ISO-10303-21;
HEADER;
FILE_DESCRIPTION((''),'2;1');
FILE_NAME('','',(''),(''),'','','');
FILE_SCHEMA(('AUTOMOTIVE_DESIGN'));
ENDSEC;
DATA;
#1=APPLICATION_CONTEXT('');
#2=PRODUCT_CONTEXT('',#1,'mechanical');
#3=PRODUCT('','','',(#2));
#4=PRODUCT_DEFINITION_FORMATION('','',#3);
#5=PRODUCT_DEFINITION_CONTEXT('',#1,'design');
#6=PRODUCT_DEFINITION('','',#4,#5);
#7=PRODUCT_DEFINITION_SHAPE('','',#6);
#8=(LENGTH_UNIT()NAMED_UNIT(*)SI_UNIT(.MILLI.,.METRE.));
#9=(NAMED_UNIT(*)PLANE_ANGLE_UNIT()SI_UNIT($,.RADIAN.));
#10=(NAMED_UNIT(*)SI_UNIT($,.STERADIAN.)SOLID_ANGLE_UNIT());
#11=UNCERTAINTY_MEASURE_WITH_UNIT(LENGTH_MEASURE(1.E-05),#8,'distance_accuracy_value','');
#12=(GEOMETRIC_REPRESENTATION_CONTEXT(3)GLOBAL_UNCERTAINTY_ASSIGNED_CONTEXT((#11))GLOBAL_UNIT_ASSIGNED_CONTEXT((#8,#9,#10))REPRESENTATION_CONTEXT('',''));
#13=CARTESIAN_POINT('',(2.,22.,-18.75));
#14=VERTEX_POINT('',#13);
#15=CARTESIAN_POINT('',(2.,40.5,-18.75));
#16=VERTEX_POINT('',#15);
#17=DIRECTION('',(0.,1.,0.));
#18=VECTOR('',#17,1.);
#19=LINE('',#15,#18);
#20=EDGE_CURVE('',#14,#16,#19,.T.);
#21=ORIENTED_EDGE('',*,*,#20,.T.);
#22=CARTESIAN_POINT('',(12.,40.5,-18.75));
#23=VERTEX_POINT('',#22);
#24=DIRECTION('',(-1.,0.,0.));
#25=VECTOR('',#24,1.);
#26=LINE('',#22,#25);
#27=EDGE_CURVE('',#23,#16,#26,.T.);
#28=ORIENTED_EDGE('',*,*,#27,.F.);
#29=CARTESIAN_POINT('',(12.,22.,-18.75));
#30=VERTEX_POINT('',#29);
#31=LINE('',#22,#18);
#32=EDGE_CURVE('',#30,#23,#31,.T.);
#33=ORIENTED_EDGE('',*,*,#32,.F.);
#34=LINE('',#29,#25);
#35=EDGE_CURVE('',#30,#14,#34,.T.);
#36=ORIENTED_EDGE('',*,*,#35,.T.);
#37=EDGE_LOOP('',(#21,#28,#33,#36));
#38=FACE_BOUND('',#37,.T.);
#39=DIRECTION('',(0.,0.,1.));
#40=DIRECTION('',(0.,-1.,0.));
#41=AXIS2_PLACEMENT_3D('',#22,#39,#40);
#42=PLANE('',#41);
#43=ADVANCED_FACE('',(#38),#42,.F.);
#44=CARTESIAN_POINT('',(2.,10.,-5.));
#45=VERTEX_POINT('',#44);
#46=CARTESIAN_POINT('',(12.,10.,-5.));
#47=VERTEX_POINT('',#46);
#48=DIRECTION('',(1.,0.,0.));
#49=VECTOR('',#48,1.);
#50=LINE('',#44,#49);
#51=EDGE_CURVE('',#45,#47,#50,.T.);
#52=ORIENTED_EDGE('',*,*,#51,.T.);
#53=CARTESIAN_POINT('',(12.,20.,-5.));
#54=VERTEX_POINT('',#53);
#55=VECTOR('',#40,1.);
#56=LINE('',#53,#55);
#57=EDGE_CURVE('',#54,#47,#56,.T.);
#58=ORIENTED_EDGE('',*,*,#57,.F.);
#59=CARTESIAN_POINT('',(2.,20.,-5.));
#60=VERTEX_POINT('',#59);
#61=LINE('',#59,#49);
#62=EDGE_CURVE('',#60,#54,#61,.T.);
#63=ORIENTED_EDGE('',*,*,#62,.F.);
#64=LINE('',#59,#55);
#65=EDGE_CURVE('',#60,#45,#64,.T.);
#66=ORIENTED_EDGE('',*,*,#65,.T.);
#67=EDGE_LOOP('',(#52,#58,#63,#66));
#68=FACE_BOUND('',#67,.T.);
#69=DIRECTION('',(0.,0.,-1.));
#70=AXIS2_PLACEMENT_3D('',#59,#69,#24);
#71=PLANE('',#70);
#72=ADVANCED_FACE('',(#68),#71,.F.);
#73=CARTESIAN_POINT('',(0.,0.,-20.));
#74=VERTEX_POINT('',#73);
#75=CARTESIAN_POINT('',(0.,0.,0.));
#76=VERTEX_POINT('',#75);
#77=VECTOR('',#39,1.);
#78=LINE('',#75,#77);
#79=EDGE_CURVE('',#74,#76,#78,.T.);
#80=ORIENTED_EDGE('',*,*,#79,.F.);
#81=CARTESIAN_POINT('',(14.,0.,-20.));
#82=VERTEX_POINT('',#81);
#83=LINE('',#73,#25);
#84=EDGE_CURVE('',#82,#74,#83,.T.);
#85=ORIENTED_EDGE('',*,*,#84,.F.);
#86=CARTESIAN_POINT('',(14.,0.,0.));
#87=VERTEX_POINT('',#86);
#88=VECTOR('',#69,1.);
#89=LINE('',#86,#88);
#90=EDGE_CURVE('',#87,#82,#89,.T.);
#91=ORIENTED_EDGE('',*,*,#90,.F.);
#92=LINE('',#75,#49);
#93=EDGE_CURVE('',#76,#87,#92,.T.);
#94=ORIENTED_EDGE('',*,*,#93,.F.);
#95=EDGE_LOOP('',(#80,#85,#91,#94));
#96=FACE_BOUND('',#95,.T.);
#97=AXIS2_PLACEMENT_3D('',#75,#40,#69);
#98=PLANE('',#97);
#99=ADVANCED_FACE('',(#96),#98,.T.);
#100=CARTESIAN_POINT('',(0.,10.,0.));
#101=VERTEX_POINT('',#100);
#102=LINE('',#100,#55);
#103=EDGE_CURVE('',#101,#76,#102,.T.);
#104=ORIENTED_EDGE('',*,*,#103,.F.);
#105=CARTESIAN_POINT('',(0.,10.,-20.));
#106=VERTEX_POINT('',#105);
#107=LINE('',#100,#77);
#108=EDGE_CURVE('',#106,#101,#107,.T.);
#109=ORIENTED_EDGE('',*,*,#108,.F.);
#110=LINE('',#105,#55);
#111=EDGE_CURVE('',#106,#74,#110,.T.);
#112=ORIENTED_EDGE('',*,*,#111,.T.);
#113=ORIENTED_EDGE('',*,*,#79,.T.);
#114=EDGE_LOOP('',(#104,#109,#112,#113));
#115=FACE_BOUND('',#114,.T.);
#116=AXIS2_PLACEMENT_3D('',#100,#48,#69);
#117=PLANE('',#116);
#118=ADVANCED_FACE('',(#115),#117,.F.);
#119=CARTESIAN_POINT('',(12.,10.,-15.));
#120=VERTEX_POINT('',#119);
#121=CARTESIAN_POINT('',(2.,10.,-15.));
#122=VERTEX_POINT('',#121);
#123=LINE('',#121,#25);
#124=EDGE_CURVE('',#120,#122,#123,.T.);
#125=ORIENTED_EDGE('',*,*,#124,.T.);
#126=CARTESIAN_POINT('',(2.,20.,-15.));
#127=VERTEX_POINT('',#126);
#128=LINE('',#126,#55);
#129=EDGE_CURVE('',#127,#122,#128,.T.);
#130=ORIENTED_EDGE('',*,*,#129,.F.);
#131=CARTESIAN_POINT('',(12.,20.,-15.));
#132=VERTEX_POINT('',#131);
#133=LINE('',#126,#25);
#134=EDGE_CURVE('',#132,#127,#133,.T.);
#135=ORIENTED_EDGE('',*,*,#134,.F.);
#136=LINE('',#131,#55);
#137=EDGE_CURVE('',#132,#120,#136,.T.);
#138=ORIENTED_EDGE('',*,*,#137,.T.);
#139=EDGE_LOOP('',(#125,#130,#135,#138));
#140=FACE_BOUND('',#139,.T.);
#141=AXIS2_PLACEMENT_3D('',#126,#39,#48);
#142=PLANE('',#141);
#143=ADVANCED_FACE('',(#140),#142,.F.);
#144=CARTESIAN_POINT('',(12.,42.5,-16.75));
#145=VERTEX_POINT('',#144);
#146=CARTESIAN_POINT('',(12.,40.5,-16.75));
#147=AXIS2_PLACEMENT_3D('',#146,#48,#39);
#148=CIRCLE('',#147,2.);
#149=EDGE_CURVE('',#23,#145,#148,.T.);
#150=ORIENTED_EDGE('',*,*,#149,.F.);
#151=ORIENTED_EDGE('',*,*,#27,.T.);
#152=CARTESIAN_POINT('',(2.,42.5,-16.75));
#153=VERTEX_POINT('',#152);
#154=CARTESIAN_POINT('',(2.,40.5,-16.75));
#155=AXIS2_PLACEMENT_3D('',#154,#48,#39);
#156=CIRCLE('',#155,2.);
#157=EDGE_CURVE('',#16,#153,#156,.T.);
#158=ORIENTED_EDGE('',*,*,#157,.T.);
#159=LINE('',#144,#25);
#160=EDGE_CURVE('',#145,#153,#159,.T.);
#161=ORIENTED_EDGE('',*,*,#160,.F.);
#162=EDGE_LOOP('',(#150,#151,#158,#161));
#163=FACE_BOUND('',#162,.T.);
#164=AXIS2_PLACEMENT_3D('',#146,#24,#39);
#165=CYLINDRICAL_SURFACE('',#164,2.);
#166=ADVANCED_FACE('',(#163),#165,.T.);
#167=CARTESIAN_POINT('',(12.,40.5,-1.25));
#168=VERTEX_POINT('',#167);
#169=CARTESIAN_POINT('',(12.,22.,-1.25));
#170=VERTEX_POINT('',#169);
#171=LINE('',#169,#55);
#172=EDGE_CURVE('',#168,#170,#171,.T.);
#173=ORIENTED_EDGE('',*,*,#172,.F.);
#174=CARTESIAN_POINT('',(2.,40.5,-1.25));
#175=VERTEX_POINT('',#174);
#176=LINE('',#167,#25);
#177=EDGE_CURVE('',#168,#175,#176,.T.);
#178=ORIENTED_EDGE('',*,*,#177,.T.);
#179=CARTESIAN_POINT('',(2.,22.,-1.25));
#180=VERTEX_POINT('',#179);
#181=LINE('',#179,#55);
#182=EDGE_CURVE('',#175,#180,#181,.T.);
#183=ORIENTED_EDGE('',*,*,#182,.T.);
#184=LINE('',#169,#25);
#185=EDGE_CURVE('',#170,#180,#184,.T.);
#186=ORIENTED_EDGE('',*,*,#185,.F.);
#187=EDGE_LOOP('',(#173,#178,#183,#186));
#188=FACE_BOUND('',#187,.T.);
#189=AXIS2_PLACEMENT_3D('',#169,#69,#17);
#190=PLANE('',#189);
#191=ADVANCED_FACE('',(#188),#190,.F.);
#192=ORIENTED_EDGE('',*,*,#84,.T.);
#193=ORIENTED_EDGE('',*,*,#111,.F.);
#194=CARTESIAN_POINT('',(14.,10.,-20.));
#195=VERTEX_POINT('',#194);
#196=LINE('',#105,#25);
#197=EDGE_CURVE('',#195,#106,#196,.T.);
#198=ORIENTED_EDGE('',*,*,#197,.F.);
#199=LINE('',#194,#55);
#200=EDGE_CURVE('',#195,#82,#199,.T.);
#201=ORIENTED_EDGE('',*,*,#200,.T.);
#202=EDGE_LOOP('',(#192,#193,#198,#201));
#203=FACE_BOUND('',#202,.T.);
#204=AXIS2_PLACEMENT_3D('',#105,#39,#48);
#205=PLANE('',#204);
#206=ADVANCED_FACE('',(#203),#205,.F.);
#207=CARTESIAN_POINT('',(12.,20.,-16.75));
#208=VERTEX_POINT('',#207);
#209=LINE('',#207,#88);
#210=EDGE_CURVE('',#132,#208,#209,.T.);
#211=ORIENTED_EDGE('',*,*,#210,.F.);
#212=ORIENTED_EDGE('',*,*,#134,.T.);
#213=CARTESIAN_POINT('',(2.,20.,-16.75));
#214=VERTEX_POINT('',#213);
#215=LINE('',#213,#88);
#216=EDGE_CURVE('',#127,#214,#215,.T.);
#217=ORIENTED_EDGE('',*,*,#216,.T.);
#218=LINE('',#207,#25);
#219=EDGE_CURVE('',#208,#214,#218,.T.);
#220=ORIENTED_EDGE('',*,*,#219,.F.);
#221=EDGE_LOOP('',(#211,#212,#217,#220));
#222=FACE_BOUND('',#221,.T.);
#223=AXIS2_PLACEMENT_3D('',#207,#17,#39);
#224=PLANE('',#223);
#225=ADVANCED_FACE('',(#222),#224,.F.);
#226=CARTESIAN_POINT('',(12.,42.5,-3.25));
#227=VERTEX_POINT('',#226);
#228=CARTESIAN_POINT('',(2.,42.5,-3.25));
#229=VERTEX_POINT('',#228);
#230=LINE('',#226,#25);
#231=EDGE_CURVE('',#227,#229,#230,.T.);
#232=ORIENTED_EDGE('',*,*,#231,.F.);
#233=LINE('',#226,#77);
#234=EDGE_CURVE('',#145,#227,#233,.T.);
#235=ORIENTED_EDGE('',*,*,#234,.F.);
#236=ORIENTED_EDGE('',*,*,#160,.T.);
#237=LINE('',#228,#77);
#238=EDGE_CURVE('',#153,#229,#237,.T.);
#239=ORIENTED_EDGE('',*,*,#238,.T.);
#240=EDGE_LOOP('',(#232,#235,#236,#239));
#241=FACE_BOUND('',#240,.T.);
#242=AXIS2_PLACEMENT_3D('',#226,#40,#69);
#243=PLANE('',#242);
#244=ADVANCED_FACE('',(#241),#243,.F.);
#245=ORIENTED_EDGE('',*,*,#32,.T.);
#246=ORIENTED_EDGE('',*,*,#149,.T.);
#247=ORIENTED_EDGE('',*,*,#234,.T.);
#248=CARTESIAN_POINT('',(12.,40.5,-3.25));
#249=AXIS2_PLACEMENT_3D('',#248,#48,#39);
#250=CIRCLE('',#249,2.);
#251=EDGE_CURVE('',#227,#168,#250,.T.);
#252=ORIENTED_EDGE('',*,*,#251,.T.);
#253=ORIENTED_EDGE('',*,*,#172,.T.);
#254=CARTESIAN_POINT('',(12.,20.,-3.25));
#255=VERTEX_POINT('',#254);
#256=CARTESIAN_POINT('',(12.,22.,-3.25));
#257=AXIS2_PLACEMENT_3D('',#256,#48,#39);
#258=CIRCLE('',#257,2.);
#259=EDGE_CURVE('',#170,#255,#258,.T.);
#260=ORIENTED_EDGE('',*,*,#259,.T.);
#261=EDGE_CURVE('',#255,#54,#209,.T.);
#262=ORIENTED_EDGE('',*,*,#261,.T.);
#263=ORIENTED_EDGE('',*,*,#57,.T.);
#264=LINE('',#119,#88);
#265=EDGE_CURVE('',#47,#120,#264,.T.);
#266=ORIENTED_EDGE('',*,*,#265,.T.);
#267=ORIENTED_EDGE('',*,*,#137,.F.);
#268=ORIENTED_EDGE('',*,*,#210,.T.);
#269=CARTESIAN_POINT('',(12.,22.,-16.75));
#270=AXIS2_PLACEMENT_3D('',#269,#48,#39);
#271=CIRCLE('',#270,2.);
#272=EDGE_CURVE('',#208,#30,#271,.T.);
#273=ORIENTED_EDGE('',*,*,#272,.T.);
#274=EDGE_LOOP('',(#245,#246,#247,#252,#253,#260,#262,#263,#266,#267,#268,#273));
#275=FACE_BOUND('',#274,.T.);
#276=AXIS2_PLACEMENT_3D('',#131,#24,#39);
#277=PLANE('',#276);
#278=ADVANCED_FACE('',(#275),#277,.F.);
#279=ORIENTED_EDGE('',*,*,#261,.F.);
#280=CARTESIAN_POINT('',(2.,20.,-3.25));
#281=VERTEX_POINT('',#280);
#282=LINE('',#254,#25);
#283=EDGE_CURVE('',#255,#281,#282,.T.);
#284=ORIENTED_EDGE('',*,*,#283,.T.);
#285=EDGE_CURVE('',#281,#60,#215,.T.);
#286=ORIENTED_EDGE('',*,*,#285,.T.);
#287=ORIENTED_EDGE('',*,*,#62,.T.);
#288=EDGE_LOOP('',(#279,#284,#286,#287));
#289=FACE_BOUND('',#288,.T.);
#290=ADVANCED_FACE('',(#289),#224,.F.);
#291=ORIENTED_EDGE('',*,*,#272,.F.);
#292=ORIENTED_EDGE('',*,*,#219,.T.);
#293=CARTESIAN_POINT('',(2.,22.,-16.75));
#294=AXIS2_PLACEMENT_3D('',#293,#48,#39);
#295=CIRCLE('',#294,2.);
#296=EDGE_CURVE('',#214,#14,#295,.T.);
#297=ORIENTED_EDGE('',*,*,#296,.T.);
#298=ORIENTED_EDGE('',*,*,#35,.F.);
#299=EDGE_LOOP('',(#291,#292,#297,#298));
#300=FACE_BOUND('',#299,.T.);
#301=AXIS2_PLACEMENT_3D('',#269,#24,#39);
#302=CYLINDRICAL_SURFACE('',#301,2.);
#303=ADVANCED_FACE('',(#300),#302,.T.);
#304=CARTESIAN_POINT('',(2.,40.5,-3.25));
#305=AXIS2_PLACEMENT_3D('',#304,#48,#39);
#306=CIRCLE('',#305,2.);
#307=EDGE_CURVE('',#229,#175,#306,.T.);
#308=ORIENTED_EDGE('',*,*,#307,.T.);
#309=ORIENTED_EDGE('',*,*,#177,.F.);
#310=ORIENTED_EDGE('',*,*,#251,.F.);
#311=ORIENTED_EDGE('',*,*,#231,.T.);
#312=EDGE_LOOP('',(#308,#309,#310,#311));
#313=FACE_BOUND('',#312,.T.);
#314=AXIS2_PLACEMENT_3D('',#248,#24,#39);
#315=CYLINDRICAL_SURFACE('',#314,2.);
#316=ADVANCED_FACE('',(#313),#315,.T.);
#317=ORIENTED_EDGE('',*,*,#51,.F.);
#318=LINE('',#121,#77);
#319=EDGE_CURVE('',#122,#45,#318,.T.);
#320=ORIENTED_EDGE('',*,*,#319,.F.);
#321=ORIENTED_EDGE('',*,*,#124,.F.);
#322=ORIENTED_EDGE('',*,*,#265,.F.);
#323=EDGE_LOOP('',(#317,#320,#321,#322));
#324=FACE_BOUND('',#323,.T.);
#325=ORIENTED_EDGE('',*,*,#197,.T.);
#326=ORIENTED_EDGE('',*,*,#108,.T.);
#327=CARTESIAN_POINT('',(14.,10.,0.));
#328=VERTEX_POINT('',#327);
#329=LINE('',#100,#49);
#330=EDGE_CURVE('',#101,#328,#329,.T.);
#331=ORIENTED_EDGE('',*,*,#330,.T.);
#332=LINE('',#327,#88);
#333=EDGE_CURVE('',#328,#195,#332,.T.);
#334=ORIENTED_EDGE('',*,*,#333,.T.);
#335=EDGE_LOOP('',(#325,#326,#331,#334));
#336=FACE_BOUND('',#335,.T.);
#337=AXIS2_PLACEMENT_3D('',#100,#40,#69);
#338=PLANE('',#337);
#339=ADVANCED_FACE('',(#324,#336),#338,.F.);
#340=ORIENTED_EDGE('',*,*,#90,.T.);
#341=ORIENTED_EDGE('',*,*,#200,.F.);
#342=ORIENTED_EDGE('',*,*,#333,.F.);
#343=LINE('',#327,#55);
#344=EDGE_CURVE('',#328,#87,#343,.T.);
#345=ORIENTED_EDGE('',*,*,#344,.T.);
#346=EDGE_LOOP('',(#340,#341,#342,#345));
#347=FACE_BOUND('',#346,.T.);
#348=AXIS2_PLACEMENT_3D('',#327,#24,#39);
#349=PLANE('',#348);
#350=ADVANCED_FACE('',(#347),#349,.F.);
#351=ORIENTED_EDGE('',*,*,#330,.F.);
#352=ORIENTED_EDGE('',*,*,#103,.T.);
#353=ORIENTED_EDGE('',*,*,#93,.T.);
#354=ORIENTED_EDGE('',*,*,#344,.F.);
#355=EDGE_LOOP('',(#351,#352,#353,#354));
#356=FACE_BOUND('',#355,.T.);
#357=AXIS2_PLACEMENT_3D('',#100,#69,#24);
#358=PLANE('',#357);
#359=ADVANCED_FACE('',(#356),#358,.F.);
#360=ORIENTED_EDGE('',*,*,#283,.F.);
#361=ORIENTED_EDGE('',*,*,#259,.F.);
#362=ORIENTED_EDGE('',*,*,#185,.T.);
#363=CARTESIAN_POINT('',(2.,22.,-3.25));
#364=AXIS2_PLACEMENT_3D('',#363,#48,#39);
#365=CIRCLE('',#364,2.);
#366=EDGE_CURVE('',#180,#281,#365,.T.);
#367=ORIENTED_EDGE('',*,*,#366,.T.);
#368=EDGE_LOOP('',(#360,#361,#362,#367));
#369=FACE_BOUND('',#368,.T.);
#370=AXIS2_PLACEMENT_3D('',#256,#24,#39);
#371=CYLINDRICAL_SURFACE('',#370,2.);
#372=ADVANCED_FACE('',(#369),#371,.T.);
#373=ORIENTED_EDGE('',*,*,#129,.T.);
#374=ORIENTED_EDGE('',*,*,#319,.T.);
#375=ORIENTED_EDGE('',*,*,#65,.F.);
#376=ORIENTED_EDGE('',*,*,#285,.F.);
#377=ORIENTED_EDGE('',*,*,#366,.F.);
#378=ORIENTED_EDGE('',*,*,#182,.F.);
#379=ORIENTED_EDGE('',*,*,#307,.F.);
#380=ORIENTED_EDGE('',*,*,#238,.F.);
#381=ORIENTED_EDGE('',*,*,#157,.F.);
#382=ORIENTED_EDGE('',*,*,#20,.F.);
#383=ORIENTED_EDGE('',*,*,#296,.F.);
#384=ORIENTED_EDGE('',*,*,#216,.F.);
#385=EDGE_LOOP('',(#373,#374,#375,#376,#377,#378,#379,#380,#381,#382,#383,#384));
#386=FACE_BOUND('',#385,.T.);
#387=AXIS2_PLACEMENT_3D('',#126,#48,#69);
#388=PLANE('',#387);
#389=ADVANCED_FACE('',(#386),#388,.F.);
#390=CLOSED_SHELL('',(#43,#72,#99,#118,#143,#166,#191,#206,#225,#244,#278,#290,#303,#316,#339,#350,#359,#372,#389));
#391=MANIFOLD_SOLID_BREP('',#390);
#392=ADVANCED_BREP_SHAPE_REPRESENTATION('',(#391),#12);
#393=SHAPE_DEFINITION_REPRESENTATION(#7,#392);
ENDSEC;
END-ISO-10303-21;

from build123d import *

# Parameters (mm, degrees)
SKETCH1_W           = 14
SKETCH1_H           = 20
BOSS_EXTRUDE1_DEPTH = 10
SKETCH2_W           = 10
SKETCH2_H           = 10
BOSS_EXTRUDE2_DEPTH = 10
BOSS_EXTRUDE3_DEPTH = 5


with BuildPart() as part:
    # Sketch1 → Boss-Extrude1 (new body)
    with BuildSketch(Plane(origin=(0, 0, 0), x_dir=(1, 0, 0), z_dir=(0, 1, 0))):
        with Locations((7, 10)):
            Rectangle(SKETCH1_W, SKETCH1_H)
    extrude(amount=BOSS_EXTRUDE1_DEPTH)

    # Sketch2 → Boss-Extrude2 (add)
    with BuildSketch(Plane(origin=(0, 10, 0), x_dir=(1, 0, 0), z_dir=(0, 1, 0))):
        with Locations((7, 10)):
            Rectangle(SKETCH2_W, SKETCH2_H)
    extrude(amount=BOSS_EXTRUDE2_DEPTH)

    # Sketch3 → Boss-Extrude3 (add, symmetric)
    with BuildSketch(Plane(origin=(7, 0, 0), x_dir=(0, 0, -1), z_dir=(1, 0, 0))):
        with BuildLine():
            Line((1.25, 22), (1.25, 40.5))
            ThreePointArc((1.25, 40.5), (1.835786438, 41.914213562), (3.25, 42.5))
            Line((3.25, 42.5), (16.75, 42.5))
            ThreePointArc((16.75, 42.5), (18.164213562, 41.914213562), (18.75, 40.5))
            Line((18.75, 40.5), (18.75, 22))
            ThreePointArc((18.75, 22), (18.164213562, 20.585786438), (16.75, 20))
            Line((16.75, 20), (3.25, 20))
            ThreePointArc((3.25, 20), (1.835786438, 20.585786438), (1.25, 22))
        make_face()
    extrude(amount=BOSS_EXTRUDE3_DEPTH, both=True)


solid = part.part
